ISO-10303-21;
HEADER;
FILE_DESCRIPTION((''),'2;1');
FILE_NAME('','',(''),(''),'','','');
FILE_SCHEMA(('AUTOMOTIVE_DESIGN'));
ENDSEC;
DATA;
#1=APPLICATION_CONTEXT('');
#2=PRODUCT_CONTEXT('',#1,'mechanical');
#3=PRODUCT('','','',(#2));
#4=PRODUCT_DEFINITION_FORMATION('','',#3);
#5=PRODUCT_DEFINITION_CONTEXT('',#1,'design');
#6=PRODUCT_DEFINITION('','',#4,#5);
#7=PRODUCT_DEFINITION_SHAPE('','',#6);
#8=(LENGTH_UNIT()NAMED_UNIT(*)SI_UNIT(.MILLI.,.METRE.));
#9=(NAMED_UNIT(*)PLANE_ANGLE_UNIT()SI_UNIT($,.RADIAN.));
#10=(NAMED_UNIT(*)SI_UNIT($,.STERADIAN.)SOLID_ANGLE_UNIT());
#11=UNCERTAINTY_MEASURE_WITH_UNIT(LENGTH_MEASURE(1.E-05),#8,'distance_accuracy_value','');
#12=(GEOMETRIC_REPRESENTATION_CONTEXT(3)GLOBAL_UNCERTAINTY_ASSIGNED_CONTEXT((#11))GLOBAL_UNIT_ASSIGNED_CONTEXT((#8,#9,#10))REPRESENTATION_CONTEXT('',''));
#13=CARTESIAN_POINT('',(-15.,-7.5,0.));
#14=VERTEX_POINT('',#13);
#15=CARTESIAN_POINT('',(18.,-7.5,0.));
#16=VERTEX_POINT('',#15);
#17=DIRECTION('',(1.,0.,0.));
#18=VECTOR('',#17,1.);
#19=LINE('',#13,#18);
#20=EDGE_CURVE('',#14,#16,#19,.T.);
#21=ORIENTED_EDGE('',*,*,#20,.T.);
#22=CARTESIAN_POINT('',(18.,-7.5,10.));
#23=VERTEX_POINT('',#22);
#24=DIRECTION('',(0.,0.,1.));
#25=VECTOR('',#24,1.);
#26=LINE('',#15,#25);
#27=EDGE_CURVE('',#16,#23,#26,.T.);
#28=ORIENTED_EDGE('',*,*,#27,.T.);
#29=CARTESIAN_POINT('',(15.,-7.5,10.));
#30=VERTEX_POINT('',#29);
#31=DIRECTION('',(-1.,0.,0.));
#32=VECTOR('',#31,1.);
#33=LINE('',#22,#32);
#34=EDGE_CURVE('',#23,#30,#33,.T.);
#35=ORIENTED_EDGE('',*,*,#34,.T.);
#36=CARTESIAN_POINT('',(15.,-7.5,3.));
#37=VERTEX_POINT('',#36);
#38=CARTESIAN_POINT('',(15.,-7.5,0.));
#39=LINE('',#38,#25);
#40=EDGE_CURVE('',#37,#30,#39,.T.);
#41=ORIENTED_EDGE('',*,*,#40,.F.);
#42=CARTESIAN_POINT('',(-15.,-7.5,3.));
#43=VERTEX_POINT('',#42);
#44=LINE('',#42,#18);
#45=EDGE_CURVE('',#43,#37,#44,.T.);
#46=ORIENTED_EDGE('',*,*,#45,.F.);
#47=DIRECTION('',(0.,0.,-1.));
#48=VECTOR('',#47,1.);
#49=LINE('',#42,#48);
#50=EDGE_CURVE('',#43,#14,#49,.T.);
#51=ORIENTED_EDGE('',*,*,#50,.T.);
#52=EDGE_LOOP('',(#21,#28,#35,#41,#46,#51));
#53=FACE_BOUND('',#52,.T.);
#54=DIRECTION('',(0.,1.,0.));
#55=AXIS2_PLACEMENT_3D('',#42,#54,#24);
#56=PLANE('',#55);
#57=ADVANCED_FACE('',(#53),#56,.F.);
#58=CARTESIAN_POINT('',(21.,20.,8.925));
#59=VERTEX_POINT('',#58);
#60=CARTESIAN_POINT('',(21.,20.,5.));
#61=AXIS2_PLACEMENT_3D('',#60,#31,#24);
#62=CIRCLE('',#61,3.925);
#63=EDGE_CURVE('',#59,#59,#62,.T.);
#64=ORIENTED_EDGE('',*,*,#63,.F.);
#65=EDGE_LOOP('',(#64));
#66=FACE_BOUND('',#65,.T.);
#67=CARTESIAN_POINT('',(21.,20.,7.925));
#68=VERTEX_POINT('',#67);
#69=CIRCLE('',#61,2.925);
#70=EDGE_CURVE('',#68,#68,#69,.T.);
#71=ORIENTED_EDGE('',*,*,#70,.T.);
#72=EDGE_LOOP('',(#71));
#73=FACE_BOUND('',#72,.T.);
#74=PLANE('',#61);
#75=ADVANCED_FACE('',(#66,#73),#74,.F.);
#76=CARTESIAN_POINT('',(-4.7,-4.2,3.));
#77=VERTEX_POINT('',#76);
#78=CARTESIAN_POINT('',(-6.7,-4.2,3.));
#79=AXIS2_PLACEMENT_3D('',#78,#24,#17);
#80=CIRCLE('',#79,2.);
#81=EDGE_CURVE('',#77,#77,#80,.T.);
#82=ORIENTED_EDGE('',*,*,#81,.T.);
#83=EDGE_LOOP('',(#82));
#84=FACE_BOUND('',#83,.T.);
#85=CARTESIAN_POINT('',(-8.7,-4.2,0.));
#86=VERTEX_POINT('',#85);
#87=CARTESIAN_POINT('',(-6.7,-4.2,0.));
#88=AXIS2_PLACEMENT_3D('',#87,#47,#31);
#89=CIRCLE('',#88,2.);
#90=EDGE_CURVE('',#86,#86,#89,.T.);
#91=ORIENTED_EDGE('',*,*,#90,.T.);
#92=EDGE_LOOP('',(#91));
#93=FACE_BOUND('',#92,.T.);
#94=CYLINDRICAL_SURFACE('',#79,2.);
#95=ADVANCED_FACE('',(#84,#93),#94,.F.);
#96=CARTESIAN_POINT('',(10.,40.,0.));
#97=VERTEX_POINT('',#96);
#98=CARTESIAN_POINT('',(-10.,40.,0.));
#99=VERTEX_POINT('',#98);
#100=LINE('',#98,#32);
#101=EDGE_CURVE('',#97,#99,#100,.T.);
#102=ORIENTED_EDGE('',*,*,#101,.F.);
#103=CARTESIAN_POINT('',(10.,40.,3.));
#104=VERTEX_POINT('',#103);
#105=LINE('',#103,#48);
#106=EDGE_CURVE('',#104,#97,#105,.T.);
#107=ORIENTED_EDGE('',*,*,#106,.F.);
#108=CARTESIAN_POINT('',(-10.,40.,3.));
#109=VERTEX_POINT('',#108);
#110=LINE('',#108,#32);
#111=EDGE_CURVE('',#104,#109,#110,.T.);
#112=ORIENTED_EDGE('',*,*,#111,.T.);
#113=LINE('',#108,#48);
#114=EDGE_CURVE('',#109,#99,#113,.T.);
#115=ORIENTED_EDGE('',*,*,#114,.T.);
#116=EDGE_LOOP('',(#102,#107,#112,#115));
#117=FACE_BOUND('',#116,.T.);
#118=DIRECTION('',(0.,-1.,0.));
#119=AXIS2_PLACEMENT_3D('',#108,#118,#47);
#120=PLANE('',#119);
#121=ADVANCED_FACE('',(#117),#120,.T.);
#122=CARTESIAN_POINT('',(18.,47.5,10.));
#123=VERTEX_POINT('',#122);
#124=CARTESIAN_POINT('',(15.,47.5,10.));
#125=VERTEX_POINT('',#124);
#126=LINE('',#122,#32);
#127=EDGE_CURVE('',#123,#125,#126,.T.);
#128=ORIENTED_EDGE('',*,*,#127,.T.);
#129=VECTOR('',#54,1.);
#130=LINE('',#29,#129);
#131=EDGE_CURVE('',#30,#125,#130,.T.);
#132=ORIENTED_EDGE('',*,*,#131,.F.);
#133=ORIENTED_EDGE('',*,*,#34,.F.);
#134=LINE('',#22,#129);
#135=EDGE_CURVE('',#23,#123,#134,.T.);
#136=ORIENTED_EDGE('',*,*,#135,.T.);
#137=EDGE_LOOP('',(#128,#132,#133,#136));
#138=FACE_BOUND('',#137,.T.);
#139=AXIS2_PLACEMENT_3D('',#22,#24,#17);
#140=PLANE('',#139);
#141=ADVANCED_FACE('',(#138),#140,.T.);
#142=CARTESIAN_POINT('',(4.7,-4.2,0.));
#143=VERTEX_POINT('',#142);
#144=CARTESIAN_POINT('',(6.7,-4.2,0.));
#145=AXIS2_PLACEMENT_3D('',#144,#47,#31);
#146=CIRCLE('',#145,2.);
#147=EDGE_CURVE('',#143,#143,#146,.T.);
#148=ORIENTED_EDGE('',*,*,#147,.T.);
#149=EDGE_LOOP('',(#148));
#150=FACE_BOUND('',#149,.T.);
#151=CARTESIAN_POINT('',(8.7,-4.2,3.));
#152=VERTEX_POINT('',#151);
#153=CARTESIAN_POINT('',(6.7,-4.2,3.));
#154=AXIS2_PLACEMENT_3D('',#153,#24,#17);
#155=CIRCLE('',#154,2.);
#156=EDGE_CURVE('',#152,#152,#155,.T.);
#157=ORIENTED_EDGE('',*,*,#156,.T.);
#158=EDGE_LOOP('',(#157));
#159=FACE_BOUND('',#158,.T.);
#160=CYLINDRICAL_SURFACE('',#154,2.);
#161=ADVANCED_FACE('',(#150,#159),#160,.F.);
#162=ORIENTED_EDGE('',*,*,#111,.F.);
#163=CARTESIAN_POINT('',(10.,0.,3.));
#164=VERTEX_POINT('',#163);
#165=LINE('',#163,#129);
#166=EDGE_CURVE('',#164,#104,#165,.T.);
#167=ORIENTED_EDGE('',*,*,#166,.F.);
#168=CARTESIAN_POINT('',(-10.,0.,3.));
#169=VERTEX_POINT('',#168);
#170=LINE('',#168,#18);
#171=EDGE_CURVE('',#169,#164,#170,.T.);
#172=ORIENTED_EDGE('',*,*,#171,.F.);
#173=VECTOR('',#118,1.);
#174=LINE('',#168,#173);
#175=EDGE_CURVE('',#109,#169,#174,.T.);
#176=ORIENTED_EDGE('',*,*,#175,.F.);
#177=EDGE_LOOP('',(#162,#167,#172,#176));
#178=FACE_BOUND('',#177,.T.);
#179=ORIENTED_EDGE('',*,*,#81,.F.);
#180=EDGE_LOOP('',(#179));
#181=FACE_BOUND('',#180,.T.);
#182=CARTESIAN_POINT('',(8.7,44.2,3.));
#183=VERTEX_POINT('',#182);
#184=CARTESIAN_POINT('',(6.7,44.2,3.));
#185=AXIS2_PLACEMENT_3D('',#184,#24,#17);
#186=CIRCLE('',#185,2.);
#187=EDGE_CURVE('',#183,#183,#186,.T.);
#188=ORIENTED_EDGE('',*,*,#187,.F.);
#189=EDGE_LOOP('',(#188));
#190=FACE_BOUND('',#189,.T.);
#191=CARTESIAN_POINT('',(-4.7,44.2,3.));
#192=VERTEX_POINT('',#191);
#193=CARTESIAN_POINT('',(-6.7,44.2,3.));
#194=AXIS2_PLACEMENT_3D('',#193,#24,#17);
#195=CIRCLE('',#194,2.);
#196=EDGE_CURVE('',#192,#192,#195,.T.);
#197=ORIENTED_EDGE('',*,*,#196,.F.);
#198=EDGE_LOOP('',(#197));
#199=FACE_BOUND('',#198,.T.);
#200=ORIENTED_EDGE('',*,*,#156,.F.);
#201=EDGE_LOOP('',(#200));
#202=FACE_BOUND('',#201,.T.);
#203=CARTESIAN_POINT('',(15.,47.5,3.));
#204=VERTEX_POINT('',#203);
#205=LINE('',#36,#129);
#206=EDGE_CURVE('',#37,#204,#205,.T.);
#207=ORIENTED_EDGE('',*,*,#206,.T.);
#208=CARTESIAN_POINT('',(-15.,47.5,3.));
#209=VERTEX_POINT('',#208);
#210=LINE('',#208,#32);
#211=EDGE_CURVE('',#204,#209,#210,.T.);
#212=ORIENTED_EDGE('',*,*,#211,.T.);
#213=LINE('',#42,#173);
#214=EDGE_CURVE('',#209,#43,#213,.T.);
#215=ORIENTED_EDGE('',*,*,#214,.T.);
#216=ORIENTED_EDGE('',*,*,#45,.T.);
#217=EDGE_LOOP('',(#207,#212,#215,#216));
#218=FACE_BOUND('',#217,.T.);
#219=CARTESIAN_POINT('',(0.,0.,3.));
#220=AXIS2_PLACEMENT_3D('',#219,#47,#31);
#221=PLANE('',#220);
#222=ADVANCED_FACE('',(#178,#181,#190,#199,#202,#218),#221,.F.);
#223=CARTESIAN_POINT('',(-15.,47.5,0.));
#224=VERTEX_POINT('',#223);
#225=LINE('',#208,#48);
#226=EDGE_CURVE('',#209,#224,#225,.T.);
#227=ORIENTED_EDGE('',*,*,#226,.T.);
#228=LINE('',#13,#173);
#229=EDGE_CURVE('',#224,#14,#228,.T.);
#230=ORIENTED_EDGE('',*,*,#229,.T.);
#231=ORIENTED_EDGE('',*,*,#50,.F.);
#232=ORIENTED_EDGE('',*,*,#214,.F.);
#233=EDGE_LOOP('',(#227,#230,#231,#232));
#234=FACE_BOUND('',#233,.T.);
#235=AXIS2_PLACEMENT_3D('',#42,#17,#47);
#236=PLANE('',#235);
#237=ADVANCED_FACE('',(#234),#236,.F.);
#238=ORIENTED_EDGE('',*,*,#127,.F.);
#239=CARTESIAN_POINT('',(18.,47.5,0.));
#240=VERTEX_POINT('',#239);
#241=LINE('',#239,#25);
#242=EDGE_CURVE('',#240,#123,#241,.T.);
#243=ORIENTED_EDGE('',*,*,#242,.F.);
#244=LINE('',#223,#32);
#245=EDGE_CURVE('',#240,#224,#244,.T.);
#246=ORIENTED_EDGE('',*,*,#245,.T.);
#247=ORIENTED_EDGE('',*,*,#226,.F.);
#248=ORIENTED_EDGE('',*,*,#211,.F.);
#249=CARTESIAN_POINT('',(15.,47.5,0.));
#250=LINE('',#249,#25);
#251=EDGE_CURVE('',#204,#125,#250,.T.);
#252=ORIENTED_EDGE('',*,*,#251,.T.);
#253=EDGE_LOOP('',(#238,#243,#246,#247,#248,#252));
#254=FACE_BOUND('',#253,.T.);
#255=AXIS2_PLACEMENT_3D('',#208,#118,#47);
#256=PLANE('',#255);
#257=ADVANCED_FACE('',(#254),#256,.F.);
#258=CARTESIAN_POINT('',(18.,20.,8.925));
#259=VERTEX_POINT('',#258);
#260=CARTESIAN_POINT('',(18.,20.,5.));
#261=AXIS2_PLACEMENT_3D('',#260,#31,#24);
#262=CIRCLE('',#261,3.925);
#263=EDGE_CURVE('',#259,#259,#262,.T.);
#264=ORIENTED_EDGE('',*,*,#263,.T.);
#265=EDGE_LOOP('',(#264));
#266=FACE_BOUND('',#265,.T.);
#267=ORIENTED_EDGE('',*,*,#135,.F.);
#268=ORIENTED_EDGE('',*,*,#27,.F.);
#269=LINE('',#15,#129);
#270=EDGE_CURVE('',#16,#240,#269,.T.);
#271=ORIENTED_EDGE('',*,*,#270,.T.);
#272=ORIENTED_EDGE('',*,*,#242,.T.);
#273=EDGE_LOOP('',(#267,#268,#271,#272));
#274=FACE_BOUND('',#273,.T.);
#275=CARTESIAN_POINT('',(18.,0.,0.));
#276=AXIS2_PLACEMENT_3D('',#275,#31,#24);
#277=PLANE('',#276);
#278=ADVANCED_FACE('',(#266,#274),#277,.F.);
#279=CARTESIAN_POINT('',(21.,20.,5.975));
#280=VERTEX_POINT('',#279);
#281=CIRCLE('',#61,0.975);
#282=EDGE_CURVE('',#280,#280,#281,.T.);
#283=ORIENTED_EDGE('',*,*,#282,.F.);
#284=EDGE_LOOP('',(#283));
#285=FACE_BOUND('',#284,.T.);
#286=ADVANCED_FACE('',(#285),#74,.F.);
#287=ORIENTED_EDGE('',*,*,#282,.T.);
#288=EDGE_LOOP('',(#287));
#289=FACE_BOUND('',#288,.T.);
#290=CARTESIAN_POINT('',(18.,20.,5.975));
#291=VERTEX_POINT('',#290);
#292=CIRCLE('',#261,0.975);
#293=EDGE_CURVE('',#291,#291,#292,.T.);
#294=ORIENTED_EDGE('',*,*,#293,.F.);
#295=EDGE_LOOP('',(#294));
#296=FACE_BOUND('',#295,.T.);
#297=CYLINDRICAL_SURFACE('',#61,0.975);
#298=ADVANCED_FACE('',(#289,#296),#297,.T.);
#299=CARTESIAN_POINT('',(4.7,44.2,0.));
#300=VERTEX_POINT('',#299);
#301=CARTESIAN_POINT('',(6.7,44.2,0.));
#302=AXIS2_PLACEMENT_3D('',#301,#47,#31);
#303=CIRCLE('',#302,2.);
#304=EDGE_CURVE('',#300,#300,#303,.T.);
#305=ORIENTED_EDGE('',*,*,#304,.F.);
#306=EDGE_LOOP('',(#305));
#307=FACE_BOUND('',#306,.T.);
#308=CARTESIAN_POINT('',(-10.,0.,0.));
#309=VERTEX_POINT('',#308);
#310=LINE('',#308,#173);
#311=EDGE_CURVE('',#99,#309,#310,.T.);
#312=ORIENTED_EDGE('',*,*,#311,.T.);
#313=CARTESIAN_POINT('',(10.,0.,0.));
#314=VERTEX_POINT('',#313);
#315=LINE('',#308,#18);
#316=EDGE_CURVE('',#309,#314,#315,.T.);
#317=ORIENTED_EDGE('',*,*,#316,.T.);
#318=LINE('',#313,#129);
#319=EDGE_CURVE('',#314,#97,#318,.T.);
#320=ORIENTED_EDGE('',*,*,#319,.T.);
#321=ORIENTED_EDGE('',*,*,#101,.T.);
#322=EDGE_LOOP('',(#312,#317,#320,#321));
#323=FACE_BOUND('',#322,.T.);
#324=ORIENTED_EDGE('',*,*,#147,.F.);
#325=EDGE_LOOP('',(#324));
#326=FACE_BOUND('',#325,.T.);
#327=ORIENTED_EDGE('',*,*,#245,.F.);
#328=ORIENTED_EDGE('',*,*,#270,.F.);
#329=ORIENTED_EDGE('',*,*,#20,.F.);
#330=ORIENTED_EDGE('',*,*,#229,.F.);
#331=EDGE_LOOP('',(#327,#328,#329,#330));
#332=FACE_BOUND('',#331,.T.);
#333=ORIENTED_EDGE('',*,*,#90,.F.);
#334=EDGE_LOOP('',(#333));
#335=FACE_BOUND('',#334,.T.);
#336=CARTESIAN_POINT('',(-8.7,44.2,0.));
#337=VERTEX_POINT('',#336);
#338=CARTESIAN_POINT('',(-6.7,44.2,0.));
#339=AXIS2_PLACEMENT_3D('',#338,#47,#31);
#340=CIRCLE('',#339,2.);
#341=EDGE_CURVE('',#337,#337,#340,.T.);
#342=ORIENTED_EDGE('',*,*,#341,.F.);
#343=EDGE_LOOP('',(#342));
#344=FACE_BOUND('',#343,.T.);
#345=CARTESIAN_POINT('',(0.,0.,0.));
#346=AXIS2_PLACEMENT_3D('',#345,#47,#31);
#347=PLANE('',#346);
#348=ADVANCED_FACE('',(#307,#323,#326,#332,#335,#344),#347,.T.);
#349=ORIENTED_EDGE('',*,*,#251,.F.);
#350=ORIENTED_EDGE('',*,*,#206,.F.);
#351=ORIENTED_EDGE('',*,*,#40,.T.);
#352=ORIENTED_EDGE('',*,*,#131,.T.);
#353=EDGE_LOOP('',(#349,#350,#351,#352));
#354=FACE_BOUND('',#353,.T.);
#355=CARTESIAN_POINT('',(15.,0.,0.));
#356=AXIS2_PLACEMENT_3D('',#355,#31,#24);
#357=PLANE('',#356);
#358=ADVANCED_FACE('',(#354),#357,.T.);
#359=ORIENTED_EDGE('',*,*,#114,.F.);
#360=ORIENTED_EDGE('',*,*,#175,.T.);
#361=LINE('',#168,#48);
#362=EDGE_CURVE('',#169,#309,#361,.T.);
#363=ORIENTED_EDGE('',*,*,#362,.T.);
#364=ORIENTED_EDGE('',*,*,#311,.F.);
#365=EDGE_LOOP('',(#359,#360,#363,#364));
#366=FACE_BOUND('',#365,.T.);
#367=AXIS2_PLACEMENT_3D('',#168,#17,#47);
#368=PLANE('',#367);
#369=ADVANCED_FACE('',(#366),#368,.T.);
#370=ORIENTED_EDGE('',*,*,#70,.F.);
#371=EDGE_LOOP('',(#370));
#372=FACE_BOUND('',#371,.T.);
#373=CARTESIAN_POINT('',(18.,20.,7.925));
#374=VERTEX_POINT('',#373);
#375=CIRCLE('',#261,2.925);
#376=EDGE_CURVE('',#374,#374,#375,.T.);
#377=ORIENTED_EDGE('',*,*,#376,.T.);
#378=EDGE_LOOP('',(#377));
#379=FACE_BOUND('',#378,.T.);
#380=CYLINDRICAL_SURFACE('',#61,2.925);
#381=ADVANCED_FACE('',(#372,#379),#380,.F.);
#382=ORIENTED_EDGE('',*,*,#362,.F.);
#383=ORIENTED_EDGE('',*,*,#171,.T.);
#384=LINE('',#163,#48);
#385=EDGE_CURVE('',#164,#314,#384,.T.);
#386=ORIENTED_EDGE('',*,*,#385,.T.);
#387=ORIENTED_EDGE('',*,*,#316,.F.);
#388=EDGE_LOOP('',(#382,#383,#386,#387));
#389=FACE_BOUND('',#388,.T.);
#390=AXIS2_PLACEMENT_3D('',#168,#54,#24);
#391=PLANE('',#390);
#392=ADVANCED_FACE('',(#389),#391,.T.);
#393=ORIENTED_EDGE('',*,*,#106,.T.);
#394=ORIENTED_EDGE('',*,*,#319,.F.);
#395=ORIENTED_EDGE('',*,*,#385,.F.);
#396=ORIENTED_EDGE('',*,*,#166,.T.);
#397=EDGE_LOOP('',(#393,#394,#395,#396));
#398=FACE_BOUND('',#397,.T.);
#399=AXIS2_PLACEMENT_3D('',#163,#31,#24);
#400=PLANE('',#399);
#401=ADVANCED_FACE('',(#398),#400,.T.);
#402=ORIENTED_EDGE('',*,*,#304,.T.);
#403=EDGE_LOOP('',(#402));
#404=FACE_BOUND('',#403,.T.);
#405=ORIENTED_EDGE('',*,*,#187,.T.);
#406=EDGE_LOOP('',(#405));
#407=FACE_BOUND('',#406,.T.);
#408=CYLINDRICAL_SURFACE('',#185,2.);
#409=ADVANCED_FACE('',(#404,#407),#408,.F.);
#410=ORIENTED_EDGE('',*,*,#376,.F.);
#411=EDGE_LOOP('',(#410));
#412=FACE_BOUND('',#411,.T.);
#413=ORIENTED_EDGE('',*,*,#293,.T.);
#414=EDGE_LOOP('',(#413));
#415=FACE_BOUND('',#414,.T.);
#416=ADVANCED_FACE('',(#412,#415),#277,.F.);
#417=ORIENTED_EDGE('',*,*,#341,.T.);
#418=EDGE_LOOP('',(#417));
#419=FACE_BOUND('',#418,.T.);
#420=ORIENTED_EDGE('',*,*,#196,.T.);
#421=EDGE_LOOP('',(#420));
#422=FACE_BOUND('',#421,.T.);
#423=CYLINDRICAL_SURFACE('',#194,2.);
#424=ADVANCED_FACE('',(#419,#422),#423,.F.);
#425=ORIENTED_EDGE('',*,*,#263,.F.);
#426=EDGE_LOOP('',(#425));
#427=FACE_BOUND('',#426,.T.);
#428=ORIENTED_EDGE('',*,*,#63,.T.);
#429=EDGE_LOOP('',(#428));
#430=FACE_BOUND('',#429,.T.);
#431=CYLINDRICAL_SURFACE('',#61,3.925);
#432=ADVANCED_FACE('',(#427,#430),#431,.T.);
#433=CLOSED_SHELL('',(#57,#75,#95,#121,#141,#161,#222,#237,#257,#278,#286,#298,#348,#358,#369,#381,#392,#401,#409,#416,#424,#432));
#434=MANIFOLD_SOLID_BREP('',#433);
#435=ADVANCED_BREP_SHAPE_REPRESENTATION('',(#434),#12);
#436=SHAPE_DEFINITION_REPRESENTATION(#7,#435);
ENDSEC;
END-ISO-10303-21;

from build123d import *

# Parameters (mm, degrees)
SKETCH1_W                    = 30
SKETCH1_H                    = 55
SKETCH1_W_2                  = 20
SKETCH1_H_2                  = 40
SERVO_MOUNT_DEPTH            = 3
F_4_0_4_DIAMETER_HOLE1_D     = 4
F_4_0_4_DIAMETER_HOLE1_DEPTH = 4
F_4_0_4_DIAMETER_HOLE1_TIP   = 1.201721238
SKETCH4_W                    = 10
SKETCH4_H                    = 55
AXLE_MOUNT_BASE_DEPTH        = 3
AXLE_START                   = 3
SKETCH4_3_R                  = 0.975
AXLE_MOUNT_DEPTH             = 3


with BuildPart() as part:
    # Sketch1 → Servo Mount (new body)
    with BuildSketch(Plane.XY):
        with Locations((0, 20)):
            Rectangle(SKETCH1_W, SKETCH1_H)
        with Locations((0, 20)):
            Rectangle(SKETCH1_W_2, SKETCH1_H_2, mode=Mode.SUBTRACT)
    extrude(amount=SERVO_MOUNT_DEPTH)

    # Ø4.0 (4) Diameter Hole1
    with Locations(Plane.XY.offset(3)):
        with Locations((-6.7, 44.2), (-6.7, -4.2), (6.7, 44.2), (6.7, -4.2)):
            Hole(F_4_0_4_DIAMETER_HOLE1_D / 2, depth=F_4_0_4_DIAMETER_HOLE1_DEPTH)
            with Locations((0, 0, -(F_4_0_4_DIAMETER_HOLE1_DEPTH + F_4_0_4_DIAMETER_HOLE1_TIP / 2))):  # 118° drill point
                Cone(0, F_4_0_4_DIAMETER_HOLE1_D / 2, F_4_0_4_DIAMETER_HOLE1_TIP, mode=Mode.SUBTRACT)

    # Sketch4 → Axle Mount Base (add)
    with BuildSketch(Plane(origin=(15, 0, 0), x_dir=(0, 0, -1), z_dir=(1, 0, 0))):
        with Locations((-5, 20)):
            Rectangle(SKETCH4_W, SKETCH4_H)
    extrude(amount=AXLE_MOUNT_BASE_DEPTH)

    # Sketch4<3> → Axle Mount (add)
    with BuildSketch(Plane(origin=(15, 0, 0), x_dir=(0, 0, -1), z_dir=(1, 0, 0)).offset(AXLE_START)):
        with BuildLine():
            Line((-3, 17.865608986), (-3, 16.622778509))
            ThreePointArc((-3, 16.622778509), (-1.590042156, 18.056340436), (-1.075, 20))
            ThreePointArc((-1.075, 20), (-1.590042156, 21.943659564), (-3, 23.377221491))
            Line((-3, 23.377221491), (-3, 22.134391014))
            ThreePointArc((-3, 22.134391014), (-2.3161944, 21.163104681), (-2.075, 20))
            ThreePointArc((-2.075, 20), (-2.3161944, 18.836895319), (-3, 17.865608986))
        make_face()
        with BuildLine():
            ThreePointArc((-3, 23.377221491), (-8.925, 20), (-3, 16.622778509))
            Line((-3, 16.622778509), (-3, 17.865608986))
            ThreePointArc((-3, 17.865608986), (-7.925, 20), (-3, 22.134391014))
            Line((-3, 22.134391014), (-3, 23.377221491))
        make_face()
        with Locations(Location((-5, 20, 0), (0, 0, 180))):
            Circle(SKETCH4_3_R)
    extrude(amount=AXLE_MOUNT_DEPTH)


solid = part.part
